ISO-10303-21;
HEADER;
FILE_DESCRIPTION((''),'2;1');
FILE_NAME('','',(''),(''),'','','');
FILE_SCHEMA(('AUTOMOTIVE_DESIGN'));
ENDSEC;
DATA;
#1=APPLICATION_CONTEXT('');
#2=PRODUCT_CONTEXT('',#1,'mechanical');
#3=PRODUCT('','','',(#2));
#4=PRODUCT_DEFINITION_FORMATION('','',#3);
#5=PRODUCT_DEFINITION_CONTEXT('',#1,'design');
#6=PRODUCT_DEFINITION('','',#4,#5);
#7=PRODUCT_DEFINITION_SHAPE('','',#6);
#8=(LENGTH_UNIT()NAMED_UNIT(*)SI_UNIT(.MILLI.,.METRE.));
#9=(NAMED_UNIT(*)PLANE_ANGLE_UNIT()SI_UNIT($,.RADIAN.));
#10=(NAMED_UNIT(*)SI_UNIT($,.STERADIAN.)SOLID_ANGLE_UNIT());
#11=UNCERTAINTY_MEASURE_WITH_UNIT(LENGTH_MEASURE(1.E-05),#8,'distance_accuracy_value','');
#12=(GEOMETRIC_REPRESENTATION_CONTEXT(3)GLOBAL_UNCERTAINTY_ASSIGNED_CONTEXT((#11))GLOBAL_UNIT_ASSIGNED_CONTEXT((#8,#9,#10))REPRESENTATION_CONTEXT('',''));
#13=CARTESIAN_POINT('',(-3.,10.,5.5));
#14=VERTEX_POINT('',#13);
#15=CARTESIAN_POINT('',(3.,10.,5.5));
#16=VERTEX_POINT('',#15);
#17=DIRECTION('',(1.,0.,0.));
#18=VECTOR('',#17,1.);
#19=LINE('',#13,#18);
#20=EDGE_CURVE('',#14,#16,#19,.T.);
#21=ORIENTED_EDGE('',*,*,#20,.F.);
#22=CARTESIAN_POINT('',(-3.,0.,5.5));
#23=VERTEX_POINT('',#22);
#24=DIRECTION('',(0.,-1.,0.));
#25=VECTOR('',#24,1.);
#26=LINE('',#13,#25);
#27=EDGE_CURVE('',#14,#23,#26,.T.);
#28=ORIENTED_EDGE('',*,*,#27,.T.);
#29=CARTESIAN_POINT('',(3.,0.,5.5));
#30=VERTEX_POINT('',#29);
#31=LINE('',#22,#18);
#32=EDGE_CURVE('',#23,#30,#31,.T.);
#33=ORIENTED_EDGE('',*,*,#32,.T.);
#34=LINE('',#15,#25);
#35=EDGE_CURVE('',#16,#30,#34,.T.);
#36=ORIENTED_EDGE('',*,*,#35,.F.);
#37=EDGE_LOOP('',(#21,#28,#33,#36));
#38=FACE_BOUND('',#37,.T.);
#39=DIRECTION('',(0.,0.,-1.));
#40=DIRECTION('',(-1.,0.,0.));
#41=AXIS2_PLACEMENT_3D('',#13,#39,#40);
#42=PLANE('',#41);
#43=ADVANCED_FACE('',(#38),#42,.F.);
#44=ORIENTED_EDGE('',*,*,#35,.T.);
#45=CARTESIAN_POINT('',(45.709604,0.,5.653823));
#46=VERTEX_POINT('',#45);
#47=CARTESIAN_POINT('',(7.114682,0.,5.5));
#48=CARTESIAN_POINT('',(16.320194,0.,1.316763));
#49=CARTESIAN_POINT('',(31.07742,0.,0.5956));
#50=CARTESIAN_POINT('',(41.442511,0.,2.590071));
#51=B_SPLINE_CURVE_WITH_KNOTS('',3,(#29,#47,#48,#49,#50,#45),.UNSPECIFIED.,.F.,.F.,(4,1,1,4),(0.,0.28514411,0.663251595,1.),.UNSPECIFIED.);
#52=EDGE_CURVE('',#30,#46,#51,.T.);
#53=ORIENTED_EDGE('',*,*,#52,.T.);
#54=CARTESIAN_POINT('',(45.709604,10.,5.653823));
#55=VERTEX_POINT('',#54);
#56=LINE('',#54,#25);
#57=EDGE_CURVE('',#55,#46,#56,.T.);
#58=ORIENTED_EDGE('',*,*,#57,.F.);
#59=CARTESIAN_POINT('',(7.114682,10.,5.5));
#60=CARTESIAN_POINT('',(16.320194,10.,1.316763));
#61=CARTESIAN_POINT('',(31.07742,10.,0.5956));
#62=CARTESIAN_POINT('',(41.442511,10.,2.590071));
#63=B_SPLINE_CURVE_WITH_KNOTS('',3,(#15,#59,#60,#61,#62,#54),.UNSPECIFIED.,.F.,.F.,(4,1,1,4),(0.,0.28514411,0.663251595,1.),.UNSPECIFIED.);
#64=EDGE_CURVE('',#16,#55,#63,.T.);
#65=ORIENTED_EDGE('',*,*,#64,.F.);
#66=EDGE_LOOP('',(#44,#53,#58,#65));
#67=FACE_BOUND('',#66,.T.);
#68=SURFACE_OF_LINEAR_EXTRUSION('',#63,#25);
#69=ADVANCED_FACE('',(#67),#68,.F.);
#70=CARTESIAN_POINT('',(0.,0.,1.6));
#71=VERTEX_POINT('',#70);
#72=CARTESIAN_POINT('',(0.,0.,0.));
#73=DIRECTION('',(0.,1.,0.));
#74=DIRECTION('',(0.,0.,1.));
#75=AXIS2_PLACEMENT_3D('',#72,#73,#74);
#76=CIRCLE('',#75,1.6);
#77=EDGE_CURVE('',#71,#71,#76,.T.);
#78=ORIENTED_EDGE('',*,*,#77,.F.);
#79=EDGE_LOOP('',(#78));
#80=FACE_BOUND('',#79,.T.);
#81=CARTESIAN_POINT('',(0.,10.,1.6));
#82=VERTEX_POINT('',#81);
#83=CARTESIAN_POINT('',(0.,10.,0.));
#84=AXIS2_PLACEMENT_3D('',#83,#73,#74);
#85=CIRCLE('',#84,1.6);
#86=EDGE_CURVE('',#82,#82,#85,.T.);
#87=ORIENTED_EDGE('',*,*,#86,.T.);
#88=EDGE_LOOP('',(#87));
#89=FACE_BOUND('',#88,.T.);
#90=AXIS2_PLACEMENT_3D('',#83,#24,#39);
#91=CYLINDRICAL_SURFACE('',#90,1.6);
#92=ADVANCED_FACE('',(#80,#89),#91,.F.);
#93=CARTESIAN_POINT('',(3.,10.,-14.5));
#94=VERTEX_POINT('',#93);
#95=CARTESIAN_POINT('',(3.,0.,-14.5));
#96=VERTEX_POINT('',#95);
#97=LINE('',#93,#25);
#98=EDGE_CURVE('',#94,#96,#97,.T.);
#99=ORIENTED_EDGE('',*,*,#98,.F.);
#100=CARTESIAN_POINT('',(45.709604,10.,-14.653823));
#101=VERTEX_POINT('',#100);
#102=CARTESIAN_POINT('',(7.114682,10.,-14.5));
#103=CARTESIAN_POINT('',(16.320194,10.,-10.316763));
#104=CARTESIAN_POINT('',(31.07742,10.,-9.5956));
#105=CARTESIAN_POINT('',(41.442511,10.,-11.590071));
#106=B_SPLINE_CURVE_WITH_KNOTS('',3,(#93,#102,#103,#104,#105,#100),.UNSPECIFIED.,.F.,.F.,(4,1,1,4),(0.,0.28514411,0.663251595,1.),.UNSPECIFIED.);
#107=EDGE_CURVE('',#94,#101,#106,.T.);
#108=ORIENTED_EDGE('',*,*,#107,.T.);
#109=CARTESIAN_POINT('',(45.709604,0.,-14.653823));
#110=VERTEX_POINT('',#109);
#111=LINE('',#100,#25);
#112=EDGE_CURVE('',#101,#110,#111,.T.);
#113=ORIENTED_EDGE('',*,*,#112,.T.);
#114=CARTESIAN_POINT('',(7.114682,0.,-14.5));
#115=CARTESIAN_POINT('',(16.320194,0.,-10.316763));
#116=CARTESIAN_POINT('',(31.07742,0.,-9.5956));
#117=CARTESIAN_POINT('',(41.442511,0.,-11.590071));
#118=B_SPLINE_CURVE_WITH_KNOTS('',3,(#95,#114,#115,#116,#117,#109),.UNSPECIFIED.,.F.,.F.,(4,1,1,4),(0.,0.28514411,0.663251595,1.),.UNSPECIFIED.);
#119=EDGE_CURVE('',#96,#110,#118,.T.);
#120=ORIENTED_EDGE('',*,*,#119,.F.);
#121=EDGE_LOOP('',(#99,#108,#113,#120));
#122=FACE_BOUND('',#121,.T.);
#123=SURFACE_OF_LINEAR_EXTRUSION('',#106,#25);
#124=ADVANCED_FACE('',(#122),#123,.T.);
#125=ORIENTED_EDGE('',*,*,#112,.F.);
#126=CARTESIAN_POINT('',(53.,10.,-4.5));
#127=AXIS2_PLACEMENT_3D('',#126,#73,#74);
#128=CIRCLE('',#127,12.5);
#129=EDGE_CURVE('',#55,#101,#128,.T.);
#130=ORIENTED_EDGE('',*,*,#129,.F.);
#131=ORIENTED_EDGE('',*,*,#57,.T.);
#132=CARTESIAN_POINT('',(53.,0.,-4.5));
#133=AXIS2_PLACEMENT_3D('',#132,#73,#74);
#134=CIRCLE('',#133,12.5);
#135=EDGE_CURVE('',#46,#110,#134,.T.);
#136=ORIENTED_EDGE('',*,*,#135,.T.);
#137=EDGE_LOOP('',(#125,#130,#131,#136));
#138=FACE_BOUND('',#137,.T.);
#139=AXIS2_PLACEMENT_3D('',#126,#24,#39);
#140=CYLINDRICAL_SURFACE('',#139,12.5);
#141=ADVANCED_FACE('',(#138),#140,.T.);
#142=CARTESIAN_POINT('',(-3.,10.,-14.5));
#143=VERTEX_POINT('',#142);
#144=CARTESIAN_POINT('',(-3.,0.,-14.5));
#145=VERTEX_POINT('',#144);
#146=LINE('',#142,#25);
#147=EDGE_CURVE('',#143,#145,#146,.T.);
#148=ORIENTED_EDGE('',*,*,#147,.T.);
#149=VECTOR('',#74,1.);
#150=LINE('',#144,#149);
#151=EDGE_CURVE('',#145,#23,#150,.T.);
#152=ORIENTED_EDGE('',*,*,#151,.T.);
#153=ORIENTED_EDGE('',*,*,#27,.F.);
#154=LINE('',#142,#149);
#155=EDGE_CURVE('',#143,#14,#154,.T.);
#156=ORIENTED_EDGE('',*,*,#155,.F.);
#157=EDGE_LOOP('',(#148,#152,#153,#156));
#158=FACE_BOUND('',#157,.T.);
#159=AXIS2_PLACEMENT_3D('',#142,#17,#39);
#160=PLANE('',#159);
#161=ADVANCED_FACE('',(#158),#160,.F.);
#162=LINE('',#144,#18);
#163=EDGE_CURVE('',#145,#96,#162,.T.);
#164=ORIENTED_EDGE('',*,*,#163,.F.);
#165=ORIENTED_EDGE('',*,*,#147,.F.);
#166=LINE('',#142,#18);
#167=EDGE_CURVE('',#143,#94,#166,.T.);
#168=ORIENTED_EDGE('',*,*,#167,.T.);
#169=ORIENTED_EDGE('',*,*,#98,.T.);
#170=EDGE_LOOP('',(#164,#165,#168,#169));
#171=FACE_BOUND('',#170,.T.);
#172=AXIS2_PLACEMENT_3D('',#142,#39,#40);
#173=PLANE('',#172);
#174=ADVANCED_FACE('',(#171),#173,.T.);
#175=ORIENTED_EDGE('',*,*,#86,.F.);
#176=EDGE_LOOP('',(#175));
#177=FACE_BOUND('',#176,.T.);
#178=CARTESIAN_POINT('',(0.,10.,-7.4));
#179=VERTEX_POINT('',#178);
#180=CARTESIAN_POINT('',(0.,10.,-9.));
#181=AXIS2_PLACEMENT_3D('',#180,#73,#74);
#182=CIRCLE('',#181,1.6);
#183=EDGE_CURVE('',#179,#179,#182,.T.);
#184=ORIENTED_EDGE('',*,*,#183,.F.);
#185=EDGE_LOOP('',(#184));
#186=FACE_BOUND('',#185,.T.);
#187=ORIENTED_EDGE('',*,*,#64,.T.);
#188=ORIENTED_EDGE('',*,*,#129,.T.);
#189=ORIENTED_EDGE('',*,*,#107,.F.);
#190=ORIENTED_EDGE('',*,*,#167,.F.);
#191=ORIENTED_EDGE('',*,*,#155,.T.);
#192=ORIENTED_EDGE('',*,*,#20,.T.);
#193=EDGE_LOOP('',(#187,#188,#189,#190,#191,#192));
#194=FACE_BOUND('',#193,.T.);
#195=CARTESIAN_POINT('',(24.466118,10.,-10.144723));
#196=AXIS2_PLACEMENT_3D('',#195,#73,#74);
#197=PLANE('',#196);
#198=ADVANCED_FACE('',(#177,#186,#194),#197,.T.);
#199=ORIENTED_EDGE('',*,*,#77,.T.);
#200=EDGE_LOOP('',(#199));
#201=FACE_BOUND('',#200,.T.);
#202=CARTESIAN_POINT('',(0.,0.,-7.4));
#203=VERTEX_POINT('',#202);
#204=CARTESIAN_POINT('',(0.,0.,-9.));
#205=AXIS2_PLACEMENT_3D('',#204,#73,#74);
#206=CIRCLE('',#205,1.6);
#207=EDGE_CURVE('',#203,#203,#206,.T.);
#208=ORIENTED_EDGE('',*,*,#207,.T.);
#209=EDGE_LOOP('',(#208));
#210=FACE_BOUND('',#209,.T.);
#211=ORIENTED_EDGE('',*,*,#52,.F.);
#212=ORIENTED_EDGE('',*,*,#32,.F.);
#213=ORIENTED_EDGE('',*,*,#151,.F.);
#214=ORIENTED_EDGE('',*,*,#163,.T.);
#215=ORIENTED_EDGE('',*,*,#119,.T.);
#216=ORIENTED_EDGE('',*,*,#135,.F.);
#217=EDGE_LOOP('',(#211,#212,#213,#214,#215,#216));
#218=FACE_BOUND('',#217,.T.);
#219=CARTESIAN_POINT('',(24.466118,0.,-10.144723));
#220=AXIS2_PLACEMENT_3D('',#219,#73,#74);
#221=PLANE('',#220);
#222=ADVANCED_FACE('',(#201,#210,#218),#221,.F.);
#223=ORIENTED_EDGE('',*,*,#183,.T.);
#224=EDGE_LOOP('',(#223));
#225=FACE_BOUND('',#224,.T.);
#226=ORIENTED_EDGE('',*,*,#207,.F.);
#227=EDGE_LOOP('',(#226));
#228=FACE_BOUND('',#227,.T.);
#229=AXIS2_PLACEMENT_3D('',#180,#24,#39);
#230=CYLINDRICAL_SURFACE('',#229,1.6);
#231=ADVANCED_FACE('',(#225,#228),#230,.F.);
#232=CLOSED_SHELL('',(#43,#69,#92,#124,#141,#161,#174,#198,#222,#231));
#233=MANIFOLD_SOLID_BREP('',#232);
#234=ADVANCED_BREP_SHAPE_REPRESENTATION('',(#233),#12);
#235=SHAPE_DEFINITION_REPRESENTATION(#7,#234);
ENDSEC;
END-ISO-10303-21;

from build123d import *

# Parameters (mm, degrees)
SKETCH1_R           = 1.6
BOSS_EXTRUDE1_DEPTH = 10


with BuildPart() as part:
    # Sketch1 → Boss-Extrude1 (new body)
    with BuildSketch(Plane(origin=(0, 0, 0), x_dir=(1, 0, 0), z_dir=(0, 1, 0))):
        with BuildLine():
            Line((-3, 14.5), (3, 14.5))
            add(Edge.make_bspline(
                [(3, 14.5), (7.114682306, 14.5), (16.320193537, 10.316763311), (31.07742048, 9.595600445), (41.442510879, 11.590070739), (45.709603601, 14.653822942)],
                knots=[0, 0, 0, 0, 0.28514411, 0.663251595, 1, 1, 1, 1], degree=3))
            ThreePointArc((45.709603601, 14.653822942), (65.5, 4.5), (45.709603601, -5.653822942))
            add(Edge.make_bspline(
                [(3, -5.5), (7.114682306, -5.5), (16.320193537, -1.316763311), (31.07742048, -0.595600445), (41.442510879, -2.590070739), (45.709603601, -5.653822942)],
                knots=[0, 0, 0, 0, 0.28514411, 0.663251595, 1, 1, 1, 1], degree=3))
            Line((3, -5.5), (-3, -5.5))
            Line((-3, -5.5), (-3, 14.5))
        make_face()
        with Locations(Location((0, 0, 0), (0, 0, 270))):
            Circle(SKETCH1_R, mode=Mode.SUBTRACT)
        with Locations(Location((0, 9, 0), (0, 0, 270))):
            Circle(SKETCH1_R, mode=Mode.SUBTRACT)
    extrude(amount=BOSS_EXTRUDE1_DEPTH)


solid = part.part
